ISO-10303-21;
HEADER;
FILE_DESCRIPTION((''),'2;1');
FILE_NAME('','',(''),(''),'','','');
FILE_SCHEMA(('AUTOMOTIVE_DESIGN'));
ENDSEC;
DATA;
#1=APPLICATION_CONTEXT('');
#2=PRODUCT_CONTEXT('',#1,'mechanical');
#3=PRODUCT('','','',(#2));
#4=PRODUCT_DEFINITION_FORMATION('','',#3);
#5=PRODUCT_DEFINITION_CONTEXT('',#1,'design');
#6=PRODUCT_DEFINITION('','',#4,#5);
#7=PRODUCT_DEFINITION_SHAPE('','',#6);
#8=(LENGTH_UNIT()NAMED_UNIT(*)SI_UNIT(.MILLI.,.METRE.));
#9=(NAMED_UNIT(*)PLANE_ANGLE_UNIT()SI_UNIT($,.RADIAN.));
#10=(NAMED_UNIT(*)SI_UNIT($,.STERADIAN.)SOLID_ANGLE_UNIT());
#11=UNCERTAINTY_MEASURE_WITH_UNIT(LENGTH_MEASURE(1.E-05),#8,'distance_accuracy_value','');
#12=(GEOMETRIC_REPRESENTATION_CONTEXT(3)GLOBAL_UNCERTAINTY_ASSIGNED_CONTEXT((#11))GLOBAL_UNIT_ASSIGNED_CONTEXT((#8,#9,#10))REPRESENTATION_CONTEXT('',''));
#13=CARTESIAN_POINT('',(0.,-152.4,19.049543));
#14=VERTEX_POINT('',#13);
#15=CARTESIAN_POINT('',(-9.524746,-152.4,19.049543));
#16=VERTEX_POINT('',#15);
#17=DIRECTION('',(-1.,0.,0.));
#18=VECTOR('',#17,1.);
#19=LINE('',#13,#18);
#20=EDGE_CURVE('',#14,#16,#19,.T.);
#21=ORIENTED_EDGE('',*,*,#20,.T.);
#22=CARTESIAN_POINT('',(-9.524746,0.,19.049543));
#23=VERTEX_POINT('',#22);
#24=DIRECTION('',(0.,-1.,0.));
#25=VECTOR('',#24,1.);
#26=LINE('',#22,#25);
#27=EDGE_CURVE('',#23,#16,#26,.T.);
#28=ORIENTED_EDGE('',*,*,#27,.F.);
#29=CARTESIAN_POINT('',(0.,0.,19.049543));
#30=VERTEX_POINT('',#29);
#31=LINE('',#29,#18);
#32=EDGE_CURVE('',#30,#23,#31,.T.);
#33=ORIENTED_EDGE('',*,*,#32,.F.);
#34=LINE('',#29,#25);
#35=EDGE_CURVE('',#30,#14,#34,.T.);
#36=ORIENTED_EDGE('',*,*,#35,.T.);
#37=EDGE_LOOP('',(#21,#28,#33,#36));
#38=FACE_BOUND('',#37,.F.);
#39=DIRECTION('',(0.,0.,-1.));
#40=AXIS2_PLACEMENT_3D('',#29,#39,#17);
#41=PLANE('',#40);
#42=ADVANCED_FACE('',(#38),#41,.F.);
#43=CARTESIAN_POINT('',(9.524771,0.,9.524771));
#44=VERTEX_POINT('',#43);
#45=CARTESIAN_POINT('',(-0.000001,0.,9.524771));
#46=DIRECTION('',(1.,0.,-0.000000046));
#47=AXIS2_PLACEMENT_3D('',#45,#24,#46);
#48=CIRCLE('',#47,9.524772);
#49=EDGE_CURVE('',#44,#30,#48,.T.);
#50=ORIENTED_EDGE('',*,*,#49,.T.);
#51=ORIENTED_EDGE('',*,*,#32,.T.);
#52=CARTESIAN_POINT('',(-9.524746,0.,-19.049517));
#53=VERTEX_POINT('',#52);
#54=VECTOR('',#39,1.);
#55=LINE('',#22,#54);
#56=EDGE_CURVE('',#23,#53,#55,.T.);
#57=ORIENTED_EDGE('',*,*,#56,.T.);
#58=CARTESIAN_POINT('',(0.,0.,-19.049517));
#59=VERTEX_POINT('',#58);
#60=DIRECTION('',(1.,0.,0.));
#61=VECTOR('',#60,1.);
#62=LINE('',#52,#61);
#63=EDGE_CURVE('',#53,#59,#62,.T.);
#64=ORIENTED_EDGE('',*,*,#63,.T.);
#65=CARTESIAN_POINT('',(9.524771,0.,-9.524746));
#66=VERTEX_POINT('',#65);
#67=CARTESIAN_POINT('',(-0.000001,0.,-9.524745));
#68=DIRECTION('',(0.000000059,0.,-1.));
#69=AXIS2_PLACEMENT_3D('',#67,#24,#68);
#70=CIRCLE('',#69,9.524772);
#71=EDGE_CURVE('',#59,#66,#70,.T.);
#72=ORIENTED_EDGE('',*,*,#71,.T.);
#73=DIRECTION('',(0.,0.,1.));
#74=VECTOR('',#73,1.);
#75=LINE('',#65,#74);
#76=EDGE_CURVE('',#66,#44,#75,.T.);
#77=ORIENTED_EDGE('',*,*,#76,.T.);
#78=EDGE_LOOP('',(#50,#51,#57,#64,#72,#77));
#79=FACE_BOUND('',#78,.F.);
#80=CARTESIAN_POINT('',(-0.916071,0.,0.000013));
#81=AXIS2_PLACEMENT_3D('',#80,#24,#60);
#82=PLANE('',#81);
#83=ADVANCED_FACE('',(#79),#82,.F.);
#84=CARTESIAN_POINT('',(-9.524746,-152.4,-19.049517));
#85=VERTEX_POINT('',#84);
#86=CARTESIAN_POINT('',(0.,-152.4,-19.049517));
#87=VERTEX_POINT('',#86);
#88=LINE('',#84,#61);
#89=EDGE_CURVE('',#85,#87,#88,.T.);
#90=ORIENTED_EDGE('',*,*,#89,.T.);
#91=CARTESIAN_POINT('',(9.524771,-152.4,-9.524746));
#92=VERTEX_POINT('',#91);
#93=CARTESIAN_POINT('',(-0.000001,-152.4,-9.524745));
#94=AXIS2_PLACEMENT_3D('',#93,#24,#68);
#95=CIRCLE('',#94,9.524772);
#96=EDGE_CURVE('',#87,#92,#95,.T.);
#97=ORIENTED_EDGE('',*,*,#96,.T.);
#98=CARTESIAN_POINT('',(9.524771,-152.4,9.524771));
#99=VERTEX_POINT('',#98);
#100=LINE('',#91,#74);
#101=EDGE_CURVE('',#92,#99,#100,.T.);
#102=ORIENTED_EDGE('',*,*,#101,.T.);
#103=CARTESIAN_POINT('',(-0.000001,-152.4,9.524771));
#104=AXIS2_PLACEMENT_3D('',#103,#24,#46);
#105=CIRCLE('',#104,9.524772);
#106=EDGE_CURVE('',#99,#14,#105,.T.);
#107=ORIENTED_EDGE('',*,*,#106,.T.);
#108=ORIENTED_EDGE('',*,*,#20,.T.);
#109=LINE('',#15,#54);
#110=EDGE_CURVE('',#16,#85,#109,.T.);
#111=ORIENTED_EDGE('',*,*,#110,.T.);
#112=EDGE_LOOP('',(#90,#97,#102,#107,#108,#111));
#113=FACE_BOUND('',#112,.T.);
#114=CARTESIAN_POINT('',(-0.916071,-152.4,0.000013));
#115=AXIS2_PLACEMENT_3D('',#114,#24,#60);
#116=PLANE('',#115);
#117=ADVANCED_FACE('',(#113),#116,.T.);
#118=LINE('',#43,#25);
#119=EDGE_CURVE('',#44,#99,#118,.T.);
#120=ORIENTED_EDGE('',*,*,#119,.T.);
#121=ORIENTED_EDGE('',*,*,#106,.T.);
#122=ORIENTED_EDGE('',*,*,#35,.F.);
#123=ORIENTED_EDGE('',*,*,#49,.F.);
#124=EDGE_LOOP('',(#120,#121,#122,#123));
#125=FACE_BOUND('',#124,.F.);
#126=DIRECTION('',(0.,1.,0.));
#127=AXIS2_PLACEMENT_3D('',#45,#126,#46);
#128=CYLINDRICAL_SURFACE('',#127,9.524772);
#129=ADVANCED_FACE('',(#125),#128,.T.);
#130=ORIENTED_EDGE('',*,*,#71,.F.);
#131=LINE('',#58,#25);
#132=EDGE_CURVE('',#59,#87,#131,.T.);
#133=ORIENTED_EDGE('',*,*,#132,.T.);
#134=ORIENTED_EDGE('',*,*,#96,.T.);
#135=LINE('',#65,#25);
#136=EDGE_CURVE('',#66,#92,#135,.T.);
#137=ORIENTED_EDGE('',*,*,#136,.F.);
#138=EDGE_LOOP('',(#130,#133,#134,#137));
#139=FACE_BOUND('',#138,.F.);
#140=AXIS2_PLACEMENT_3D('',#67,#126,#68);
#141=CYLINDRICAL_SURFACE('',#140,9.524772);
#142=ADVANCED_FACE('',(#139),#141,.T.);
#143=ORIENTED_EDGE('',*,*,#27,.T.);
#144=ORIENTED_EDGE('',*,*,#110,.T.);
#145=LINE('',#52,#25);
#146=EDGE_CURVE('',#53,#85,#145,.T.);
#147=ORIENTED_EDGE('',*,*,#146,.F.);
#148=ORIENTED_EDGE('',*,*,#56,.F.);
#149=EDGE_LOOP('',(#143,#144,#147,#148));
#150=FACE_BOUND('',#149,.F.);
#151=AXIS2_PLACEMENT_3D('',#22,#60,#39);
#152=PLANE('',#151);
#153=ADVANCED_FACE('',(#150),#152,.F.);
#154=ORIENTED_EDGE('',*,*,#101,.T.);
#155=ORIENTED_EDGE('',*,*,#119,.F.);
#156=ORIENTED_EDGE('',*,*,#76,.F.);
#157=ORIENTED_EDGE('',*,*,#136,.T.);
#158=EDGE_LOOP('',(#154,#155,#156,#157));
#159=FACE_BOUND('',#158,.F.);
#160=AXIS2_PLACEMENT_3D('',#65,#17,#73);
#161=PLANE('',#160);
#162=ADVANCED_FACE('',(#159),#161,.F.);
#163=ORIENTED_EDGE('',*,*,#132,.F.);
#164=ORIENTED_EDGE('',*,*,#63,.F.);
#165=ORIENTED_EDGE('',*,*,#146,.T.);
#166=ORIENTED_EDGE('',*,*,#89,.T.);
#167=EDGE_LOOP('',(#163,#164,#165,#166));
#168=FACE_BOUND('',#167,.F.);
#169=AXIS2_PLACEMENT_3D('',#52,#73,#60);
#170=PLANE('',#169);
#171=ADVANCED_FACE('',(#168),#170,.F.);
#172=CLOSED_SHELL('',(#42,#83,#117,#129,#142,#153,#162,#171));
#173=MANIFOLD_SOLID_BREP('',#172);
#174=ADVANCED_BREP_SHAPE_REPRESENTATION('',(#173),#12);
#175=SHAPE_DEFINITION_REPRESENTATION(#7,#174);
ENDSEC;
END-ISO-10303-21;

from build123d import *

# Parameters (mm, degrees)
F1_DEPTH = 152.4


with BuildPart() as f1:
    # F0 (on Front) → F1 (new body)
    with BuildSketch(Plane.XZ):
        with BuildLine():
            Line((-9.524746, 19.049543), (-9.524746, -19.049517))
            Line((-9.524746, -19.049517), (0, -19.049517))
            ThreePointArc((0, -19.049517), (6.73503, -16.259776), (9.524771, -9.524746))
            Line((9.524771, -9.524746), (9.524771, 9.524771))
            ThreePointArc((9.524771, 9.524771), (6.73503, 16.259802), (0, 19.049543))
            Line((0, 19.049543), (-9.524746, 19.049543))
        make_face()
    extrude(amount=F1_DEPTH)


solid = f1.part
